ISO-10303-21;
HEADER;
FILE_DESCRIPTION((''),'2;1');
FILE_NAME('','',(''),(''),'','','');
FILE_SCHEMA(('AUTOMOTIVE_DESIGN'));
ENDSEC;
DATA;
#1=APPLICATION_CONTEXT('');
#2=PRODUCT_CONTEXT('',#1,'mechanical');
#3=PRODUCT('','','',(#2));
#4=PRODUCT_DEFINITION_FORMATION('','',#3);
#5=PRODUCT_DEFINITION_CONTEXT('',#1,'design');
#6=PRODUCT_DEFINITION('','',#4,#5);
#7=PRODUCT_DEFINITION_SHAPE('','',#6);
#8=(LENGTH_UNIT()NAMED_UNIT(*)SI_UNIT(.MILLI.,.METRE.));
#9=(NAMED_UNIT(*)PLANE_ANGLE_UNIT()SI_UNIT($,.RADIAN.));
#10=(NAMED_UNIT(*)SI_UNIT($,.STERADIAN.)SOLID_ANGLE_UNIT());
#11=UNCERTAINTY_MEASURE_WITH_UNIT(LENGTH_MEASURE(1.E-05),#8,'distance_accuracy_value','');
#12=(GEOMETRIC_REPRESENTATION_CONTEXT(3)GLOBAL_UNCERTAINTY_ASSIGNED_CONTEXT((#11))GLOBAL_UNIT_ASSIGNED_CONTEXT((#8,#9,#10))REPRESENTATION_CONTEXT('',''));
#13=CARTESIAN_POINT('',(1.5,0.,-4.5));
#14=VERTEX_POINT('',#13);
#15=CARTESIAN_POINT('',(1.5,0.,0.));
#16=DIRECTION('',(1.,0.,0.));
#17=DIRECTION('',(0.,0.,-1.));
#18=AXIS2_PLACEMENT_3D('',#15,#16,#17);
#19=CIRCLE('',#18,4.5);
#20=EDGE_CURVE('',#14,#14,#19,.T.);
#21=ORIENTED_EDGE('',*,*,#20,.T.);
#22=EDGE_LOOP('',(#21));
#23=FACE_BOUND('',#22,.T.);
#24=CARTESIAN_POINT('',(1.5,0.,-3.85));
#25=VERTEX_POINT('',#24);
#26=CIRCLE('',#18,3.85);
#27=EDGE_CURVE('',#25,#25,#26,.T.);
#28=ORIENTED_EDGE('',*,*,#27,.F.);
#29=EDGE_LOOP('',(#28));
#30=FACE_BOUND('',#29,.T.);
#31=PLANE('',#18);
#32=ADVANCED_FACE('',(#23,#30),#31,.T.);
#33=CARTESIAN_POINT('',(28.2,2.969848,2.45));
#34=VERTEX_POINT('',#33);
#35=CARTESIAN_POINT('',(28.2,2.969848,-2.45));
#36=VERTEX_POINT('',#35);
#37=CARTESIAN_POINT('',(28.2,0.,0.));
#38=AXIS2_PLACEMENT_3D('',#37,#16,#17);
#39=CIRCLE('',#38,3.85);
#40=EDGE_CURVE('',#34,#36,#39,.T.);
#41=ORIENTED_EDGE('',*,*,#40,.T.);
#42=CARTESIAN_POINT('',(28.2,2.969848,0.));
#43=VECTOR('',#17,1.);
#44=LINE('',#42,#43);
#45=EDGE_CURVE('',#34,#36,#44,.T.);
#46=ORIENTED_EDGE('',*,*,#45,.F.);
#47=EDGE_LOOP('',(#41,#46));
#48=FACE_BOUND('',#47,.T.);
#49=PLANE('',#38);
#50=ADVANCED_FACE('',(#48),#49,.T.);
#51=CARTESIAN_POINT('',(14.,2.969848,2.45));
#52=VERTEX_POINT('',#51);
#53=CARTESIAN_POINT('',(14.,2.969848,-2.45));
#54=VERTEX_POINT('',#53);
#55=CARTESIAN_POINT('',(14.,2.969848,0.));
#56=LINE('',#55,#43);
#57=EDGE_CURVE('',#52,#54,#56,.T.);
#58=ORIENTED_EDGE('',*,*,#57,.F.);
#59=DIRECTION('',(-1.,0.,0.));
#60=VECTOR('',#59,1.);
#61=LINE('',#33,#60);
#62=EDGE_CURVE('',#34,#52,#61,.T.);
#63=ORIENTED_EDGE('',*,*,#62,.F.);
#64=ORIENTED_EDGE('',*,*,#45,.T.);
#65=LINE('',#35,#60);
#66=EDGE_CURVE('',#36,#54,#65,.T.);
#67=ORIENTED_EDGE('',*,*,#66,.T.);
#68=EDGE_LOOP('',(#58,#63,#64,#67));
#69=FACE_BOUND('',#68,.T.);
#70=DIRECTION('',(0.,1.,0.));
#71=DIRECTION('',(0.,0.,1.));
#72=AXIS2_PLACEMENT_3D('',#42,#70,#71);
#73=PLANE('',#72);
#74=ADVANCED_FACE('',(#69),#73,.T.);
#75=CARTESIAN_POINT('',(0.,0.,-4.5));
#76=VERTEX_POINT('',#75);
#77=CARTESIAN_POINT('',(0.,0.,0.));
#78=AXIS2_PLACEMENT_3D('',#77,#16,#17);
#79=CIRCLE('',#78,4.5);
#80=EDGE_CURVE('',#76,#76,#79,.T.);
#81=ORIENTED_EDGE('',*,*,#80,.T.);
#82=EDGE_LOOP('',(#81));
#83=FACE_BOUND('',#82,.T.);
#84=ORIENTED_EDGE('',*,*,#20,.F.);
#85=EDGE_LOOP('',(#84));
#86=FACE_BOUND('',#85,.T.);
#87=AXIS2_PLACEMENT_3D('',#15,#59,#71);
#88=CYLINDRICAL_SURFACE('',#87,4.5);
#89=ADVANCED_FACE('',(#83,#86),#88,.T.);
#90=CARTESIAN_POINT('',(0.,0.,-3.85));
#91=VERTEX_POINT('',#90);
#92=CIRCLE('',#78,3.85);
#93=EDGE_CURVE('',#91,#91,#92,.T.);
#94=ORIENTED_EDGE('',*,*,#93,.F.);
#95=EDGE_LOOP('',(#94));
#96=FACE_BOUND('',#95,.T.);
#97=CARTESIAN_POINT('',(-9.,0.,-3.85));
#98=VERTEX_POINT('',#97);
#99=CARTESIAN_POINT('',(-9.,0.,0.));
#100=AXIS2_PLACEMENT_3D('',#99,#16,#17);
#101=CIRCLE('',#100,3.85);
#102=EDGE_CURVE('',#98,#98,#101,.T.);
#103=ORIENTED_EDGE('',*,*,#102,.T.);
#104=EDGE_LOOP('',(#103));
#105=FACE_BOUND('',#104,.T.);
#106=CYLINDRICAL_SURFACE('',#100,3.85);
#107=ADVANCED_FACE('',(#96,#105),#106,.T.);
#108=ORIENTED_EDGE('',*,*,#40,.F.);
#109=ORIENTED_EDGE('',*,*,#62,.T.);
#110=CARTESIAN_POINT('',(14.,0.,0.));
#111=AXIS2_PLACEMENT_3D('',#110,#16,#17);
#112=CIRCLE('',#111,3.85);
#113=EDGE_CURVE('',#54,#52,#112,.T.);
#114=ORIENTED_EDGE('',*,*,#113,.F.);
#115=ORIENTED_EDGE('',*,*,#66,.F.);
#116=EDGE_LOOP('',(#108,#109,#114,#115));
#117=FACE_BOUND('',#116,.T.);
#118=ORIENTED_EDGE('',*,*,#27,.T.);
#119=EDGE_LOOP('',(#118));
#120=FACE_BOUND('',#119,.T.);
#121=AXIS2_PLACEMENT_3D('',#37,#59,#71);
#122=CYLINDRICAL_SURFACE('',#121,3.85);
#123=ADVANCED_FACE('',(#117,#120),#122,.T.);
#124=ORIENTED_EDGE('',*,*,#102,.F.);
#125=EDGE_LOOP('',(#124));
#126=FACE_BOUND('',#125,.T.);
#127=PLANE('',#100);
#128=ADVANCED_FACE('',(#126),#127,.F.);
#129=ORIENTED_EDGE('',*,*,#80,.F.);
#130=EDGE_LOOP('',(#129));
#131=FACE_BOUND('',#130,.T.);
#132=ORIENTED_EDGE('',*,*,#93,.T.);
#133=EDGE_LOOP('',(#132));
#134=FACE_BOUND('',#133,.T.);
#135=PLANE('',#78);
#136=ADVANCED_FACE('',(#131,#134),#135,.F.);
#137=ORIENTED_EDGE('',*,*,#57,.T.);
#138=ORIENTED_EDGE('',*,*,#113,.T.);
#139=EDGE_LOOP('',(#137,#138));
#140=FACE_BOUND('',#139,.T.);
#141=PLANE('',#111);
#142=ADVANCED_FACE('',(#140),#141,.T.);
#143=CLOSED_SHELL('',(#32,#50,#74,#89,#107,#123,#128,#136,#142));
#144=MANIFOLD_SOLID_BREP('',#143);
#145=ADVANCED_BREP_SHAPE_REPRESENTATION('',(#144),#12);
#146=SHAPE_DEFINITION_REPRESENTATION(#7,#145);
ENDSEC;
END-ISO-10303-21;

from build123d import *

# Parameters (mm, degrees)
BOSS_EXTRUDE1_DEPTH = 28.2
SKETCH9_6_R         = 4.5
SKETCH9_6_R_2       = 3.85
BOSS_EXTRUDE2_DEPTH = 1.5
BOSS_EXTRUDE3_DEPTH = 14
BOSS_EXTRUDE4_DEPTH = 9


with BuildPart() as part:
    # Sketch9 → Boss-Extrude1 (new body)
    with BuildSketch(Plane(origin=(0, 0, 0), x_dir=(0, 0, -1), z_dir=(1, 0, 0))):
        with BuildLine():
            Line((2.45, 2.969848481), (-2.45, 2.969848481))
            ThreePointArc((-2.45, 2.969848481), (-1.641645516, -3.48245603), (3.85, 0))
            ThreePointArc((3.85, 0), (3.48245603, 1.641645516), (2.45, 2.969848481))
        make_face()
    extrude(amount=BOSS_EXTRUDE1_DEPTH)

    # Sketch9<6> → Boss-Extrude2 (add)
    with BuildSketch(Plane(origin=(0, 0, 0), x_dir=(0, 0, -1), z_dir=(1, 0, 0))):
        Circle(SKETCH9_6_R)
        Circle(SKETCH9_6_R_2, mode=Mode.SUBTRACT)
    extrude(amount=BOSS_EXTRUDE2_DEPTH)

    # Sketch9<7> → Boss-Extrude3 (add)
    with BuildSketch(Plane(origin=(0, 0, 0), x_dir=(0, 0, -1), z_dir=(1, 0, 0))):
        with BuildLine():
            ThreePointArc((2.45, 2.969848481), (0, 3.85), (-2.45, 2.969848481))
            Line((-2.45, 2.969848481), (2.45, 2.969848481))
        make_face()
        with BuildLine():
            Line((2.45, 2.969848481), (-2.45, 2.969848481))
            ThreePointArc((-2.45, 2.969848481), (-1.641645516, -3.48245603), (3.85, 0))
            ThreePointArc((3.85, 0), (3.48245603, 1.641645516), (2.45, 2.969848481))
        make_face()
    extrude(amount=BOSS_EXTRUDE3_DEPTH)

    # Sketch9<8> → Boss-Extrude4 (add)
    with BuildSketch(Plane(origin=(0, 0, 0), x_dir=(0, 0, -1), z_dir=(1, 0, 0))):
        with BuildLine():
            ThreePointArc((2.45, 2.969848481), (0, 3.85), (-2.45, 2.969848481))
            Line((-2.45, 2.969848481), (2.45, 2.969848481))
        make_face()
        with BuildLine():
            Line((2.45, 2.969848481), (-2.45, 2.969848481))
            ThreePointArc((-2.45, 2.969848481), (-1.641645516, -3.48245603), (3.85, 0))
            ThreePointArc((3.85, 0), (3.48245603, 1.641645516), (2.45, 2.969848481))
        make_face()
    extrude(amount=-BOSS_EXTRUDE4_DEPTH)


solid = part.part
